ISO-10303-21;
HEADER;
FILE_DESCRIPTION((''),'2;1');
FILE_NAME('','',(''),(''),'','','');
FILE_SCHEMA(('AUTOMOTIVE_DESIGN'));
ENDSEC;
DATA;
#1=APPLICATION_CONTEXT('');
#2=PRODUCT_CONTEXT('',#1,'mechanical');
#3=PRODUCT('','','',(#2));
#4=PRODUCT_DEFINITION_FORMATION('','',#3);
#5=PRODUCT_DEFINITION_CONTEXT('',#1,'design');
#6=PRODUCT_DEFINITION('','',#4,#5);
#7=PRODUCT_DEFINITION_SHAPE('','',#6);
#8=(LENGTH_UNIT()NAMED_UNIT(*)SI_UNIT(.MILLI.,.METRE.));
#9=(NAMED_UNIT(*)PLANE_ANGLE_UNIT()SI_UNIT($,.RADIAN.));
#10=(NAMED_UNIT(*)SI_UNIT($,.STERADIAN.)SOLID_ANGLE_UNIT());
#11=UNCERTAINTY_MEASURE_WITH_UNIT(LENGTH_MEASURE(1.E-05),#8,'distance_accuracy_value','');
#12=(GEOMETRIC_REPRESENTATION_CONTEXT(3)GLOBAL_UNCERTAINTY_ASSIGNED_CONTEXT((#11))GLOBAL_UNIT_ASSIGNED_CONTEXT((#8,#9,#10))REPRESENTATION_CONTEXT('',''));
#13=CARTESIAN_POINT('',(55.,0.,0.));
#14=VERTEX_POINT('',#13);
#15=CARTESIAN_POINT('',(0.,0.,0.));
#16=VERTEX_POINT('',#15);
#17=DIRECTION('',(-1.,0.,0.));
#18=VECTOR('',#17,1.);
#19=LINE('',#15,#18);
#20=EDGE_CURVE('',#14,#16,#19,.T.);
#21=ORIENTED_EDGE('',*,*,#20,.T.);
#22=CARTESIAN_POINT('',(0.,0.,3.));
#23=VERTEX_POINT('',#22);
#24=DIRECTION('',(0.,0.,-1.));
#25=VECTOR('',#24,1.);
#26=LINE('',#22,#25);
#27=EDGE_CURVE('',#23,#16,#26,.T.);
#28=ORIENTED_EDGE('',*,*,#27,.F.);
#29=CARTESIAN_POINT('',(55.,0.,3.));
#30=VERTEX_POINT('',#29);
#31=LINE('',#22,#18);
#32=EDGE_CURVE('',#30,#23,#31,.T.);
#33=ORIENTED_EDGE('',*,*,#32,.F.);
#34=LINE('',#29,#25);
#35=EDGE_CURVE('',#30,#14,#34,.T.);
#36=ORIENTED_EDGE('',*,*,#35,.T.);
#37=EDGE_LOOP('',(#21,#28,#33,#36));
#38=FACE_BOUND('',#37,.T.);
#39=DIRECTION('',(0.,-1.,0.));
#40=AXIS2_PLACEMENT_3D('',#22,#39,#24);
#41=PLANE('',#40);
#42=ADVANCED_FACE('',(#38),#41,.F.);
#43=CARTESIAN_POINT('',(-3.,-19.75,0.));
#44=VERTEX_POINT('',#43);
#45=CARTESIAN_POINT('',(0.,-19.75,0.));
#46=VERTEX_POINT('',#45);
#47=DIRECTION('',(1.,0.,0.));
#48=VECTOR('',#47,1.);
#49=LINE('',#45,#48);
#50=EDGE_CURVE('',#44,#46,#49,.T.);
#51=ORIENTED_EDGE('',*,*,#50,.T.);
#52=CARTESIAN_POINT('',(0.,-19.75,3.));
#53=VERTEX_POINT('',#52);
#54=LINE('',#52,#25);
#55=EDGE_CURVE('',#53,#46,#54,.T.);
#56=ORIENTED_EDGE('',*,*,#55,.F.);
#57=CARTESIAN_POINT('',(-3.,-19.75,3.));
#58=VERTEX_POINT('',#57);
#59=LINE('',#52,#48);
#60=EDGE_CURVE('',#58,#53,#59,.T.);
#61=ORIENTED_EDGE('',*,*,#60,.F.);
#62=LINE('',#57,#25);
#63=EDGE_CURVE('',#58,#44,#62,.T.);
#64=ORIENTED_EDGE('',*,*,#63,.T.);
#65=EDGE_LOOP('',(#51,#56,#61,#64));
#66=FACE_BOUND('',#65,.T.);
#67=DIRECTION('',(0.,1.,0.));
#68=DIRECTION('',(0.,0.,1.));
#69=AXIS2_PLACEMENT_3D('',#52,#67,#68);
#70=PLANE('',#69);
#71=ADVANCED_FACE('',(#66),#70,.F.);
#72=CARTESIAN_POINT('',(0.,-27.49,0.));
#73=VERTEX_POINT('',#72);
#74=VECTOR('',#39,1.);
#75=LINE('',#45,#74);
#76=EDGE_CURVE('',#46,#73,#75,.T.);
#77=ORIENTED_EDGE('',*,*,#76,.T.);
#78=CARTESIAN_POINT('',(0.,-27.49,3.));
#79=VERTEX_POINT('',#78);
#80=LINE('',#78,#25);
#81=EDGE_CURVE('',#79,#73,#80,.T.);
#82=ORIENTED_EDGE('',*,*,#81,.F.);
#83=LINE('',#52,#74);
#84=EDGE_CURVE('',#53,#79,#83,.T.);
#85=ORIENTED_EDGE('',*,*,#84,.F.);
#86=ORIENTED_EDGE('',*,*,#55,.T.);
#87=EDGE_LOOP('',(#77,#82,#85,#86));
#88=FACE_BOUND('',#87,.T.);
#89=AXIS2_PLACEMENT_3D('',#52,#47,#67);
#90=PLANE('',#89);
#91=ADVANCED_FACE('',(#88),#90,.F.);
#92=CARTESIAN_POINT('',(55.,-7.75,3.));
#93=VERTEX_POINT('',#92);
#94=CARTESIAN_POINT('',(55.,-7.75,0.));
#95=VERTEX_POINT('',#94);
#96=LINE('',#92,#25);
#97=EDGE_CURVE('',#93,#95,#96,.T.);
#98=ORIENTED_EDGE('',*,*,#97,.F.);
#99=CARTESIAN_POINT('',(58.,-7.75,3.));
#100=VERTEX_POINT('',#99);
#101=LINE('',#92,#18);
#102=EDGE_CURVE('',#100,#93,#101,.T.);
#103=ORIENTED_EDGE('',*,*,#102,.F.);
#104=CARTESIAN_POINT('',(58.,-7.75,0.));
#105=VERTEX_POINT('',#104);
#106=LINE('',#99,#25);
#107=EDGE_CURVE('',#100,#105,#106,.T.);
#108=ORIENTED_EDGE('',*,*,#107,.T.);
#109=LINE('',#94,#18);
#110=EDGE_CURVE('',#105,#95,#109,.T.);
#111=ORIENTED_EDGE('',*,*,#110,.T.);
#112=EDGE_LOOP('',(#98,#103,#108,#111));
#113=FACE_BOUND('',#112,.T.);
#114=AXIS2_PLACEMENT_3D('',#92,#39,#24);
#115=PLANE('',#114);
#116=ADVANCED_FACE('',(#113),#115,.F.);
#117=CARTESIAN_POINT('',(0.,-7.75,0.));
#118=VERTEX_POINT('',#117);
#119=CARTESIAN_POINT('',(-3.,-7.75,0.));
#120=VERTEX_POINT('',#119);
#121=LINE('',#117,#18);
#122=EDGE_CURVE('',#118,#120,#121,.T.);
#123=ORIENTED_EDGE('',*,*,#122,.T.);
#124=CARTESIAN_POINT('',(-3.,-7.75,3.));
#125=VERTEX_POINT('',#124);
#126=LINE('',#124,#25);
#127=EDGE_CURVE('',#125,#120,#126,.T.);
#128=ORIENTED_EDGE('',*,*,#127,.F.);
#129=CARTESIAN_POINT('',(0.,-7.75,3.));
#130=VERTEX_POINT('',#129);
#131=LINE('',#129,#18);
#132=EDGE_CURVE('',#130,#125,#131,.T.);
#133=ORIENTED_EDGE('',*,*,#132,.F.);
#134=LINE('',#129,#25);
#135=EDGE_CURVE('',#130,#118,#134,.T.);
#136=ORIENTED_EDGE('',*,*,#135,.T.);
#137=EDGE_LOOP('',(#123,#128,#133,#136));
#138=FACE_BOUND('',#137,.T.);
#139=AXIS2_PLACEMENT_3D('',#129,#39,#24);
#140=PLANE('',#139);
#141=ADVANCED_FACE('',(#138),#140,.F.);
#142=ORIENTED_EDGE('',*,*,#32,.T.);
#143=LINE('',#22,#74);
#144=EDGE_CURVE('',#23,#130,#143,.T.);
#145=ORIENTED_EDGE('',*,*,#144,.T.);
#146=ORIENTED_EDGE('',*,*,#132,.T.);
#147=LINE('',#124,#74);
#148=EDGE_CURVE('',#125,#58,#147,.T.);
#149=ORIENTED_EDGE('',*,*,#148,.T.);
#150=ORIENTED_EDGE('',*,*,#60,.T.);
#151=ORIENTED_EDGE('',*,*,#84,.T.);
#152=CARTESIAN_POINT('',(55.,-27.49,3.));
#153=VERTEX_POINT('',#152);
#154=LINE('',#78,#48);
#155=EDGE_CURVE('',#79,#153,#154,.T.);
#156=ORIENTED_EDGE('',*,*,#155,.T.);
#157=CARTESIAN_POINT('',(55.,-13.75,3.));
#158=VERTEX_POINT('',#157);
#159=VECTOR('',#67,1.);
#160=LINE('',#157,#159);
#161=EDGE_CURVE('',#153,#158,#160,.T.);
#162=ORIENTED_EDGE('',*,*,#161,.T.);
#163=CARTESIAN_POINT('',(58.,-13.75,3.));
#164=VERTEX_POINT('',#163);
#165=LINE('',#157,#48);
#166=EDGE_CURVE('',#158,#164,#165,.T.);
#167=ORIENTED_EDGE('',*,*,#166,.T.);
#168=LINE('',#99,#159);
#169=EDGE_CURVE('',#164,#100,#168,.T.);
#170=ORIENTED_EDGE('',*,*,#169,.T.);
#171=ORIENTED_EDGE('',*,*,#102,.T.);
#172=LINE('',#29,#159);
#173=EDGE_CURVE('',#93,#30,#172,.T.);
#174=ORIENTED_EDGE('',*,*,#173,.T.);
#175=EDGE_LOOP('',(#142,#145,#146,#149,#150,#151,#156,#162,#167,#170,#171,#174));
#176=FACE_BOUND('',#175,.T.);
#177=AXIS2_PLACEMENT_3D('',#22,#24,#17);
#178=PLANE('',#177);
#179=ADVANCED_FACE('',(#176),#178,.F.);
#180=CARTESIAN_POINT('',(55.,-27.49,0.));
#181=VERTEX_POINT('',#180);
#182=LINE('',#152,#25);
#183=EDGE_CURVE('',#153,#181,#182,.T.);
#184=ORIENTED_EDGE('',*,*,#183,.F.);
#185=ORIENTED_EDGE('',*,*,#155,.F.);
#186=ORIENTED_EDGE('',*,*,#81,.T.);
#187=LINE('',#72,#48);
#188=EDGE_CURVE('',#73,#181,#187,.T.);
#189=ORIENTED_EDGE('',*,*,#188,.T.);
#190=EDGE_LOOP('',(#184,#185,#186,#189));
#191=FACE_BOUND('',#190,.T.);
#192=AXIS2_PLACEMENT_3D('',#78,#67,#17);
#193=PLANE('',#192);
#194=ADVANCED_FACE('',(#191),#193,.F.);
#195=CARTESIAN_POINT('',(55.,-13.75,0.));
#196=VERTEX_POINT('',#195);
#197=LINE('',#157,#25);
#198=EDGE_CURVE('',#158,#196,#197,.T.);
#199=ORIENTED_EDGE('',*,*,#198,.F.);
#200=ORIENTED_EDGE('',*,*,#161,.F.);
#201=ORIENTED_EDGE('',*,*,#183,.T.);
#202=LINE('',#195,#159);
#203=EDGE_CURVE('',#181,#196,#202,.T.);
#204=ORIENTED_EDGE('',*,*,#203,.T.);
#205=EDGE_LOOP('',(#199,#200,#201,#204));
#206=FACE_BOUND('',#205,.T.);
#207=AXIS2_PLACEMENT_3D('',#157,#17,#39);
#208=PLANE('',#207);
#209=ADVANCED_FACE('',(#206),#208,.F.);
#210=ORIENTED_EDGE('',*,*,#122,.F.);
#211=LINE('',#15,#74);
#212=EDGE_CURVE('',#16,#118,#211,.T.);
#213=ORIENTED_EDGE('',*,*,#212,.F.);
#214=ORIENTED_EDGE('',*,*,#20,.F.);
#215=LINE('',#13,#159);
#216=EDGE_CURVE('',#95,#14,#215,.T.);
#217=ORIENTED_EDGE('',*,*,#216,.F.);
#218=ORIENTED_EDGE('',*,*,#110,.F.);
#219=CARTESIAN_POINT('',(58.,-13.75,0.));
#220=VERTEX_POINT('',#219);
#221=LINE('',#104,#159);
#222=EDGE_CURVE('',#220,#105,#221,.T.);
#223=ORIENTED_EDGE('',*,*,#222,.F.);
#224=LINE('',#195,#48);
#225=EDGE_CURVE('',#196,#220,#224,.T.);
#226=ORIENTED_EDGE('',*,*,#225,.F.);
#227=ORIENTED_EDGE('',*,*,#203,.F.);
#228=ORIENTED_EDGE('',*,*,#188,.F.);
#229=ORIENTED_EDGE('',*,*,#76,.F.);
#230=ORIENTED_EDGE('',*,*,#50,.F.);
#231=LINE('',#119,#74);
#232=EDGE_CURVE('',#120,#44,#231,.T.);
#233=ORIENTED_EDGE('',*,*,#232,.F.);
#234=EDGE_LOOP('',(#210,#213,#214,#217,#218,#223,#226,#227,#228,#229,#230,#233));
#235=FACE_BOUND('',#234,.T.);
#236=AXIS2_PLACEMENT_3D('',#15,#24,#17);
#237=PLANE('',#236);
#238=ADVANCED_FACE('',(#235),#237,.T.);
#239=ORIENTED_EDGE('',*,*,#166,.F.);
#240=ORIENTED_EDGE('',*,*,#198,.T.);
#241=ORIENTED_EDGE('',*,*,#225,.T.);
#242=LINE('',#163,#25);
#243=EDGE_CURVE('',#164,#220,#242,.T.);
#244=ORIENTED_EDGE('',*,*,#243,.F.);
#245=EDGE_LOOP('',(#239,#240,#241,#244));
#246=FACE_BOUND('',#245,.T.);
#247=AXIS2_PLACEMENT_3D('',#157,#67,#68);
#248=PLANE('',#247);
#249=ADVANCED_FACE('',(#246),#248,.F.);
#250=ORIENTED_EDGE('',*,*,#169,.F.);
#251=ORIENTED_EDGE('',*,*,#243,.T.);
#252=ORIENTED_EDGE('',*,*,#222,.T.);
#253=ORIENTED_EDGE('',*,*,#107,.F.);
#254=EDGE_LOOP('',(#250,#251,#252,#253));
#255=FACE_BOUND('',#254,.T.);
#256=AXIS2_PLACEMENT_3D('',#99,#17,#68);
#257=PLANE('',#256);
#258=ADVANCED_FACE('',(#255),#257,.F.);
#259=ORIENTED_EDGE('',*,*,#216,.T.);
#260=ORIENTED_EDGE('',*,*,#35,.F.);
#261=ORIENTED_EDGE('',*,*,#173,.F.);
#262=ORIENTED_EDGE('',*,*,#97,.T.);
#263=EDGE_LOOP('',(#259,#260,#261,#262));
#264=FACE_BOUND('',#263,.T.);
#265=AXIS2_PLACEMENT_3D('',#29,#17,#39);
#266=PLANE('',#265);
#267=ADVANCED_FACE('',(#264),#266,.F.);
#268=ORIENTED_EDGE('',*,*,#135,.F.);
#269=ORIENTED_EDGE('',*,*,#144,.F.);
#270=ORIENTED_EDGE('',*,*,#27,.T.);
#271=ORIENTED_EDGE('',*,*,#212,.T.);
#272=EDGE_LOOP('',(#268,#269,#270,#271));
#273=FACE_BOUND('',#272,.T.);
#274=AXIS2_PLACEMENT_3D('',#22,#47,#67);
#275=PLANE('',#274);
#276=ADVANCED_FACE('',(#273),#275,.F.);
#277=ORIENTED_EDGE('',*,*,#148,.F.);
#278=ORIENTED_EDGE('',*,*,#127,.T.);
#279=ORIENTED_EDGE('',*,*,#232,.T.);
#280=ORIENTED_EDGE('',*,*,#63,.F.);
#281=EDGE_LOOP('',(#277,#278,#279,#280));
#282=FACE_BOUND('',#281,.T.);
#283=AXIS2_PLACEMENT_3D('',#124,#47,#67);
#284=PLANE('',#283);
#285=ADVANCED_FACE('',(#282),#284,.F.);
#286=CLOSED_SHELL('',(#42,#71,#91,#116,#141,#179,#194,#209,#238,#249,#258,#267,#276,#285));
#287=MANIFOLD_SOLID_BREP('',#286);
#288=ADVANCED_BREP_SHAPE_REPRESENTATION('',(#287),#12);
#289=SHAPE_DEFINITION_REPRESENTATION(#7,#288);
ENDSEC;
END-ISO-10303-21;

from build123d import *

# Parameters (mm, degrees)
P_IDAT_VYSUNUT_M1_DEPTH = 3


with BuildPart() as part:
    # Skica1 → Přidat vysunutím1 (new body)
    with BuildSketch(Plane.XY):
        Polygon((55, -13.75), (55, -27.49), (0, -27.49), (0, -19.75), (-3, -19.75), (-3, -7.75), (0, -7.75), (0, 0), (55, 0), (55, -7.75), (58, -7.75), (58, -13.75), align=None)
    extrude(amount=P_IDAT_VYSUNUT_M1_DEPTH)


solid = part.part
